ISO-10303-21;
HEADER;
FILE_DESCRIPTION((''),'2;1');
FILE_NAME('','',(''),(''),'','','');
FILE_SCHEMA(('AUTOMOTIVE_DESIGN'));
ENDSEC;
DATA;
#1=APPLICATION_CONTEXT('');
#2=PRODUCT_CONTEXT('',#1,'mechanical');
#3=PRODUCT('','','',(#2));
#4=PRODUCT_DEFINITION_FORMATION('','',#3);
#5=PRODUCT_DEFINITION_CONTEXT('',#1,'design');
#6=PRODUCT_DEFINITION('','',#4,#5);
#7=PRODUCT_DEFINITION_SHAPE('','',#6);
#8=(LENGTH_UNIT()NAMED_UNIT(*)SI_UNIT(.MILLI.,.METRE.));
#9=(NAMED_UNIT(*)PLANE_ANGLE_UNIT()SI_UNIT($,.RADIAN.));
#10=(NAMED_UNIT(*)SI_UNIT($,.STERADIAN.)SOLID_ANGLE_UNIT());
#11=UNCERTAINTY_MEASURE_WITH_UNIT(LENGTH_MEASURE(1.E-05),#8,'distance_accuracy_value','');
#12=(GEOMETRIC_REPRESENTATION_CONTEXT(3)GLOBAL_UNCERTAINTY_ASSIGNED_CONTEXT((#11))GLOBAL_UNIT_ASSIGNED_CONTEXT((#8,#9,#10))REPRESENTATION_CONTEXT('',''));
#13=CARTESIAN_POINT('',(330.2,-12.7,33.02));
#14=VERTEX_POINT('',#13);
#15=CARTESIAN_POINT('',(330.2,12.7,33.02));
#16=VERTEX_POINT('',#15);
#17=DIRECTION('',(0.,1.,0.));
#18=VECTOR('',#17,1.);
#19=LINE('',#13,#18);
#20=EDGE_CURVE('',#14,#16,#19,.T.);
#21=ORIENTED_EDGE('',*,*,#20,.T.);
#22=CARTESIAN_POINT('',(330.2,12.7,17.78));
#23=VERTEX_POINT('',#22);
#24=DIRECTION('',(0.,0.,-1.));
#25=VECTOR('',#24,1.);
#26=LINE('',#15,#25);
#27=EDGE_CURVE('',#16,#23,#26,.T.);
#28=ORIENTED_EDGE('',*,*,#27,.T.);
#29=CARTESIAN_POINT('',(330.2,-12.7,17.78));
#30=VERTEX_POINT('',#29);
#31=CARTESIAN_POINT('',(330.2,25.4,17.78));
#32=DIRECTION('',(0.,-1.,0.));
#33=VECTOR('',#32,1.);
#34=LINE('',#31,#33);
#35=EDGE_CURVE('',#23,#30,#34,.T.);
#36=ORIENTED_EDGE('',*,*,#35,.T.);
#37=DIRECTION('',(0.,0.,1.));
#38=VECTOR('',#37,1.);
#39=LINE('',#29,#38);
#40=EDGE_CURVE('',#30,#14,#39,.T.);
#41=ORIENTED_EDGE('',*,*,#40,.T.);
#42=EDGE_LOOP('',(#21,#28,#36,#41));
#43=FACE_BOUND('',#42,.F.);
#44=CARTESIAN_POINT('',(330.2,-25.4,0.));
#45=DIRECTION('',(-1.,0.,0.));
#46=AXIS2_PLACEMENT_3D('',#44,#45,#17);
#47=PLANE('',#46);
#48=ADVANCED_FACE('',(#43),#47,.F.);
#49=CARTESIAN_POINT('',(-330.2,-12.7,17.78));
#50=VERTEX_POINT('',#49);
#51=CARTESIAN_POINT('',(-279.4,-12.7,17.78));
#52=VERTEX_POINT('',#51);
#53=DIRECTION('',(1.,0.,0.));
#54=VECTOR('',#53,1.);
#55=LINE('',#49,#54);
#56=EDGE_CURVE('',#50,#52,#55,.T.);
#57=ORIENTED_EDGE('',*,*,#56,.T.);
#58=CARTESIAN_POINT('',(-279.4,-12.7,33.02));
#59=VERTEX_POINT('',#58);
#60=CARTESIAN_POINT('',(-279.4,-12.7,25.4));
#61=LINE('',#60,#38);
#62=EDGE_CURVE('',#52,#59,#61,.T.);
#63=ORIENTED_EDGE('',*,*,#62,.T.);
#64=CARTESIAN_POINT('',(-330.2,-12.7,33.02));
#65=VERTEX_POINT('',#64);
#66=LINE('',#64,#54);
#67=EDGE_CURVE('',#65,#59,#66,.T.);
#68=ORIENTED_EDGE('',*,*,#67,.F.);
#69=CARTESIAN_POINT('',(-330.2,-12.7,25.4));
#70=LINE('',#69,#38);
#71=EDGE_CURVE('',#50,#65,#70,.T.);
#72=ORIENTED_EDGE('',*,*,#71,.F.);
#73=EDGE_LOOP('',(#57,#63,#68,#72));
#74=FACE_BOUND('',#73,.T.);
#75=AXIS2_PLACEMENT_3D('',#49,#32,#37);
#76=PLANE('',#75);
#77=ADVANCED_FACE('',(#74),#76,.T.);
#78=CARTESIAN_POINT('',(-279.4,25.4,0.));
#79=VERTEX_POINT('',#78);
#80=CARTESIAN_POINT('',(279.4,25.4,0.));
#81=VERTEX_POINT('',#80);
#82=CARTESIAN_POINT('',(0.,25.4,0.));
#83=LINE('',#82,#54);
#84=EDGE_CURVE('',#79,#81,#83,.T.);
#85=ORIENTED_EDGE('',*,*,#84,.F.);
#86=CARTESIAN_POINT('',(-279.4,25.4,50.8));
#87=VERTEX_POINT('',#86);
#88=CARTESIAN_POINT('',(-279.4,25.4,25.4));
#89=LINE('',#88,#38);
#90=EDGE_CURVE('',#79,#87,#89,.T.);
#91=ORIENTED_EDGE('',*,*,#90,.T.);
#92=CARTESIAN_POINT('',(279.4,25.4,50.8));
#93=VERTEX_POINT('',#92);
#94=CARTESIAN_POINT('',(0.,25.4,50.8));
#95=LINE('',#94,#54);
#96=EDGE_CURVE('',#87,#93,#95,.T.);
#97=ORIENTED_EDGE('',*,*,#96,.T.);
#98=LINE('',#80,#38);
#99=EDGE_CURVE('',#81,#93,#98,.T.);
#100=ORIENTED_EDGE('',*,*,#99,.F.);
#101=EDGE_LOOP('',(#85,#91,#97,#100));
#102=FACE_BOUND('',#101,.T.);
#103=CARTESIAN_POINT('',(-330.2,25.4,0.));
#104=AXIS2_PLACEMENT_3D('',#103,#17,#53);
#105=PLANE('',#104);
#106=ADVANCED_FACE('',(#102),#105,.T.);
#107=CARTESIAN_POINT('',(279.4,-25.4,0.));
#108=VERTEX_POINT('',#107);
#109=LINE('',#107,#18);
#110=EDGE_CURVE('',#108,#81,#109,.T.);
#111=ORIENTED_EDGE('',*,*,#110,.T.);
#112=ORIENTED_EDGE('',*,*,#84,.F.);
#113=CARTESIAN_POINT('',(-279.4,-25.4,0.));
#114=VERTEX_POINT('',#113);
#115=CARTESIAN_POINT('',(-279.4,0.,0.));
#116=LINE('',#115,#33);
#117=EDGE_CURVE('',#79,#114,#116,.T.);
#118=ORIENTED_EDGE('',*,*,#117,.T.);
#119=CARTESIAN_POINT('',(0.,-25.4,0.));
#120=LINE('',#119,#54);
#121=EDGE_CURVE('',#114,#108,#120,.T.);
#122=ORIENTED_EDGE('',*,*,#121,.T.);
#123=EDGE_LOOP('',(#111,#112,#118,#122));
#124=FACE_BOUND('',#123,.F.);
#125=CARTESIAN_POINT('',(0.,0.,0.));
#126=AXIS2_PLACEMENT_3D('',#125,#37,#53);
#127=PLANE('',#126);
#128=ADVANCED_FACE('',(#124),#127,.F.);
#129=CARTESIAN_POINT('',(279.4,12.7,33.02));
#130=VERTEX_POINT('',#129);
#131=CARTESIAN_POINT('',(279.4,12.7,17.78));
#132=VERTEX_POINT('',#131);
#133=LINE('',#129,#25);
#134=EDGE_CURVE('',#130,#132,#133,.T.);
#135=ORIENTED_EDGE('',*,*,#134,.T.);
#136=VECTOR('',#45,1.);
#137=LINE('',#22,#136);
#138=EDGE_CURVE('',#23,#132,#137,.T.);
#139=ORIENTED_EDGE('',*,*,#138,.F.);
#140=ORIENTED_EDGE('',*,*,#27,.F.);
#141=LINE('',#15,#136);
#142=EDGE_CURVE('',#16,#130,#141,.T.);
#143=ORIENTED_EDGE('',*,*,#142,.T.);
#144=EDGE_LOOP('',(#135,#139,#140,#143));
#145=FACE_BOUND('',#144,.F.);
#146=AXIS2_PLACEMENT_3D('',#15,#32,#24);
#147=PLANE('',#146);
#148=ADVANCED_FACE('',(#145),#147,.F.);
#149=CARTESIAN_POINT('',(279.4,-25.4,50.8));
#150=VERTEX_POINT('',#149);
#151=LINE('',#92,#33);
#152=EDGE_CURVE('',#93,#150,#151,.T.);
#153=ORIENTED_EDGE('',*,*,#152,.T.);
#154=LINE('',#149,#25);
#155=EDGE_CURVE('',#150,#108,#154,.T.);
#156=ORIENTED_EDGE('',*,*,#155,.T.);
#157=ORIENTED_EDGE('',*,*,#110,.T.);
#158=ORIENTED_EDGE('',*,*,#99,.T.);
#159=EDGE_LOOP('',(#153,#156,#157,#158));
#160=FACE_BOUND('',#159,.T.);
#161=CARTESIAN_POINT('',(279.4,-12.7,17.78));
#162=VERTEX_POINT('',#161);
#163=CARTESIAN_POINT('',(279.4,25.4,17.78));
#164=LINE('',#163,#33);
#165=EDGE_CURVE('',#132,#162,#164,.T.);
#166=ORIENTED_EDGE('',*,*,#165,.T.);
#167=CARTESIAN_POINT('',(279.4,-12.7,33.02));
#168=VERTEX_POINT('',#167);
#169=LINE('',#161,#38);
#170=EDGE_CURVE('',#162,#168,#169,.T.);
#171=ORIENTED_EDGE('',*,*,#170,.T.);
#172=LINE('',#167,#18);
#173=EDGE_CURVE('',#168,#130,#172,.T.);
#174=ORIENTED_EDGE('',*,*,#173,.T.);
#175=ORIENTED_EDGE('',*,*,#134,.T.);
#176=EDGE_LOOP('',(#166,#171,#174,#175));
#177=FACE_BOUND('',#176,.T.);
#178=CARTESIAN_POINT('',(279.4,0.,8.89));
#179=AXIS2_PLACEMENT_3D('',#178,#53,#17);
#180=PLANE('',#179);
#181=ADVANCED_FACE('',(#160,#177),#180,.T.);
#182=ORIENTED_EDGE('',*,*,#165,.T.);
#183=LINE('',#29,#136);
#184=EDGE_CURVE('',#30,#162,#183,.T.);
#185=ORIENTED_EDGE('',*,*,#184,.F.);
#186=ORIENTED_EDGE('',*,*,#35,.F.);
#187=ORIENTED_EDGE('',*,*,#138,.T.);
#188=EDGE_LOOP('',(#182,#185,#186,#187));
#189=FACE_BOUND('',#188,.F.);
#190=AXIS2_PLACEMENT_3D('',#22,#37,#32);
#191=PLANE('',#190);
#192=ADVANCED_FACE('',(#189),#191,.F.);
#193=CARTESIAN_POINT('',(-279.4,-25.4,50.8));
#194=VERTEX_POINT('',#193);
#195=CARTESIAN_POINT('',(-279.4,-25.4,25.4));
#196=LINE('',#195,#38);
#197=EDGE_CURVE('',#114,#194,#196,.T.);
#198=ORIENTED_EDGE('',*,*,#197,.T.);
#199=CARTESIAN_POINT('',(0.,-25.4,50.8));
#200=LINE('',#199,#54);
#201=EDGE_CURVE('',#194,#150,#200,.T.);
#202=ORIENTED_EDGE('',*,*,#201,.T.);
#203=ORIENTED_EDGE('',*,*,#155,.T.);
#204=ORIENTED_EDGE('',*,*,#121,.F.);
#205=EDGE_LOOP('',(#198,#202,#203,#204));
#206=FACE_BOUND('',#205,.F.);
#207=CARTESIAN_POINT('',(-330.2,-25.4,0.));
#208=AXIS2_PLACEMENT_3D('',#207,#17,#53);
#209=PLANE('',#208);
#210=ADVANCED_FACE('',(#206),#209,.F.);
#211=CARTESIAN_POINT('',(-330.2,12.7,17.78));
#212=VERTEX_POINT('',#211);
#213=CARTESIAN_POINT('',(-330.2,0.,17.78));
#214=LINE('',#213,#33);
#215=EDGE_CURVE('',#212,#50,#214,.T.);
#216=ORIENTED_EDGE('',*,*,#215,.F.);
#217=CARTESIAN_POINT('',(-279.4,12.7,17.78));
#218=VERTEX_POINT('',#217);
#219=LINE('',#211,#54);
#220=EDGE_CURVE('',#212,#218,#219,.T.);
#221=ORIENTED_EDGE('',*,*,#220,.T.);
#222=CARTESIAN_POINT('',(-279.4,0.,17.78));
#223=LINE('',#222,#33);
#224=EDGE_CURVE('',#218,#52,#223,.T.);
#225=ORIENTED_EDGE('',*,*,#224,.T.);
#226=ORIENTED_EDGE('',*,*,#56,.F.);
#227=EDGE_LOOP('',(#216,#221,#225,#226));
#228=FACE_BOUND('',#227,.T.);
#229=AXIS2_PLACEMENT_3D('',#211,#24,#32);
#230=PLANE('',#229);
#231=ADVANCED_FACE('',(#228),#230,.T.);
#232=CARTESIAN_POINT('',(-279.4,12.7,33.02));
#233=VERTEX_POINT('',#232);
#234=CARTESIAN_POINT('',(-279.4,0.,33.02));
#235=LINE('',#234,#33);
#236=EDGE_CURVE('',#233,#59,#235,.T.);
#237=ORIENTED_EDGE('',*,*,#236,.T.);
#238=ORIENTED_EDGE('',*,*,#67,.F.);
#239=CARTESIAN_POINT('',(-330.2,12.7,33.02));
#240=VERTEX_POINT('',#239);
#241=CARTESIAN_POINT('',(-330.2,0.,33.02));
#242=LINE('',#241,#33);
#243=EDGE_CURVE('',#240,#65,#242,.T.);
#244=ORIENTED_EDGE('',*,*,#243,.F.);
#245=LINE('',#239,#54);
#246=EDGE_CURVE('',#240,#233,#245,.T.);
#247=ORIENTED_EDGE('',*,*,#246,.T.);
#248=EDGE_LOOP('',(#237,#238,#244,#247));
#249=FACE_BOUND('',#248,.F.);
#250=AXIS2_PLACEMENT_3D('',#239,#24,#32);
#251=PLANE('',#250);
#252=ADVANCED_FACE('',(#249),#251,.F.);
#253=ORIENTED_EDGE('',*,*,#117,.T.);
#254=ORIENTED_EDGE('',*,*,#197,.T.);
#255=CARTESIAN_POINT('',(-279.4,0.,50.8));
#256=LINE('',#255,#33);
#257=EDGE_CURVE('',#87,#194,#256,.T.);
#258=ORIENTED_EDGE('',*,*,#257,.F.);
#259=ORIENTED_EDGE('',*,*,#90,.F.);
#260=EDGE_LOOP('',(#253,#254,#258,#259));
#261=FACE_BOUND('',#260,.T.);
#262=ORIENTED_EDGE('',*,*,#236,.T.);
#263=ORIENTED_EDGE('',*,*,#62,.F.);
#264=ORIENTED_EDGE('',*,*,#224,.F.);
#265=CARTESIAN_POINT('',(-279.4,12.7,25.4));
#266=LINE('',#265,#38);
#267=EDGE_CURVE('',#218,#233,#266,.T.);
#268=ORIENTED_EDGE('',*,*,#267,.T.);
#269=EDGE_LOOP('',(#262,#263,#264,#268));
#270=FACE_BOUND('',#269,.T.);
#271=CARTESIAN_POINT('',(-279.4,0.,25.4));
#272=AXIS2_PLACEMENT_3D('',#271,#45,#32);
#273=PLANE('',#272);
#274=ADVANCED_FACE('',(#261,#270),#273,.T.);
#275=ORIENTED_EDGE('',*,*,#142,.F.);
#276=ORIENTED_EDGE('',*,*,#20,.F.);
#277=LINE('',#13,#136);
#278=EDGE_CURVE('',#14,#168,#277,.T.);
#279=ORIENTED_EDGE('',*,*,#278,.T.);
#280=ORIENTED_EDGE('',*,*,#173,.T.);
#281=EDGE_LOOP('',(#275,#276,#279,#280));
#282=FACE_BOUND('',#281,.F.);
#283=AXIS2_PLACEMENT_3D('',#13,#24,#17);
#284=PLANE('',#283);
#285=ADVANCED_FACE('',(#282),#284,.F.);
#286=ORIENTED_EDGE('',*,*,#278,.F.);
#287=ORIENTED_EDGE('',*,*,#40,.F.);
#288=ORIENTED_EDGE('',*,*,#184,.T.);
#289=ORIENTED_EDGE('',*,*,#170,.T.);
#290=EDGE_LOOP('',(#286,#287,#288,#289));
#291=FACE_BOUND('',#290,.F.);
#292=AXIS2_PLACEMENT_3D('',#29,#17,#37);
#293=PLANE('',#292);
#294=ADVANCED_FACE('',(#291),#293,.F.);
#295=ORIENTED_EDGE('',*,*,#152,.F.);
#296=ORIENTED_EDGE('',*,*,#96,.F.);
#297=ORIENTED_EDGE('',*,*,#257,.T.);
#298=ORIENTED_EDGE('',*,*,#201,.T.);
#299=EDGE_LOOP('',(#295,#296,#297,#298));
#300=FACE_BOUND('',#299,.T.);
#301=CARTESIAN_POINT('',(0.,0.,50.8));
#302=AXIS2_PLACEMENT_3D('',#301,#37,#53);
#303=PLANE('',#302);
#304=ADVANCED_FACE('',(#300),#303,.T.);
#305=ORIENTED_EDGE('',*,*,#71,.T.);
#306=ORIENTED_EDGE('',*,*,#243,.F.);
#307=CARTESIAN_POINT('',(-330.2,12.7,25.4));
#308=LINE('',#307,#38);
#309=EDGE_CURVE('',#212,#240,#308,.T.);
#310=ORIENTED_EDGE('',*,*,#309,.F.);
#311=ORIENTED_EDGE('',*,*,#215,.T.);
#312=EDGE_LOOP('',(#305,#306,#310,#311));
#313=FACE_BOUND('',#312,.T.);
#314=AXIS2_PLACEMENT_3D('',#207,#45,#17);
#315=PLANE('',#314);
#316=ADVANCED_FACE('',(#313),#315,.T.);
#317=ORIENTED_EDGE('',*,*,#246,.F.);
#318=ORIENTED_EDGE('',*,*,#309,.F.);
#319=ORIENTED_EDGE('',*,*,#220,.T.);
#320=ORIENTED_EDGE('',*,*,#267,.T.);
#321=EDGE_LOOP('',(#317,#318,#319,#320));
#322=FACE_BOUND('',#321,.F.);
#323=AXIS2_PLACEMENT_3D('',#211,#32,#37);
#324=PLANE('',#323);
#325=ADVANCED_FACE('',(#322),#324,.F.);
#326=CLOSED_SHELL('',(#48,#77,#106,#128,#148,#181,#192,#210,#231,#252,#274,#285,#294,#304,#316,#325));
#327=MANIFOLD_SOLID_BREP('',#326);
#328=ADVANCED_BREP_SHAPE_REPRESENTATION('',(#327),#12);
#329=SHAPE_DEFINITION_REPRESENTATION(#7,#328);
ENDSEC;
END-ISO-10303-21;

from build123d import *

# Parameters (mm, degrees)
F0_W     = 660.4
F0_H     = 50.8
F1_DEPTH = 50.8
F2_W     = 50.8
F2_H     = 50.8
F2_W_2   = 25.4
F2_H_2   = 15.24
F3_DEPTH = 50.8
F5_DEPTH = 50.8


with BuildPart() as f1:
    # F0 (on Top) → F1 (new body)
    with BuildSketch(Plane.XY):
        Rectangle(F0_W, F0_H)
    extrude(amount=F1_DEPTH)

    # F2 (on face) → F3 (cut)
    with BuildSketch(Plane(origin=(-330.2, 0, 0), x_dir=(0, -1, 0), z_dir=(-1, 0, 0))):
        with Locations((0, 25.4)):
            Rectangle(F2_W, F2_H)
        with Locations((0, 25.4)):
            Rectangle(F2_W_2, F2_H_2, mode=Mode.SUBTRACT)
    extrude(amount=-F3_DEPTH, mode=Mode.SUBTRACT)

    # F4 (on face) → F5 (cut)
    with BuildSketch(Plane.YZ.offset(330.2)):
        Polygon((-12.7, 17.78), (-25.4, 17.78), (-25.4, 0), (0, 0), (25.4, 0), (25.4, 17.78), (12.7, 17.78), align=None)
        Polygon((-25.4, 33.02), (-25.4, 17.78), (-12.7, 17.78), (-12.7, 25.4), (-12.7, 33.02), align=None)
        Polygon((-25.4, 50.8), (-25.4, 33.02), (-12.7, 33.02), (12.7, 33.02), (25.4, 33.02), (25.4, 50.8), (0, 50.8), align=None)
        Polygon((12.7, 25.4), (12.7, 17.78), (25.4, 17.78), (25.4, 33.02), (12.7, 33.02), align=None)
    extrude(amount=-F5_DEPTH, mode=Mode.SUBTRACT)


solid = f1.part
